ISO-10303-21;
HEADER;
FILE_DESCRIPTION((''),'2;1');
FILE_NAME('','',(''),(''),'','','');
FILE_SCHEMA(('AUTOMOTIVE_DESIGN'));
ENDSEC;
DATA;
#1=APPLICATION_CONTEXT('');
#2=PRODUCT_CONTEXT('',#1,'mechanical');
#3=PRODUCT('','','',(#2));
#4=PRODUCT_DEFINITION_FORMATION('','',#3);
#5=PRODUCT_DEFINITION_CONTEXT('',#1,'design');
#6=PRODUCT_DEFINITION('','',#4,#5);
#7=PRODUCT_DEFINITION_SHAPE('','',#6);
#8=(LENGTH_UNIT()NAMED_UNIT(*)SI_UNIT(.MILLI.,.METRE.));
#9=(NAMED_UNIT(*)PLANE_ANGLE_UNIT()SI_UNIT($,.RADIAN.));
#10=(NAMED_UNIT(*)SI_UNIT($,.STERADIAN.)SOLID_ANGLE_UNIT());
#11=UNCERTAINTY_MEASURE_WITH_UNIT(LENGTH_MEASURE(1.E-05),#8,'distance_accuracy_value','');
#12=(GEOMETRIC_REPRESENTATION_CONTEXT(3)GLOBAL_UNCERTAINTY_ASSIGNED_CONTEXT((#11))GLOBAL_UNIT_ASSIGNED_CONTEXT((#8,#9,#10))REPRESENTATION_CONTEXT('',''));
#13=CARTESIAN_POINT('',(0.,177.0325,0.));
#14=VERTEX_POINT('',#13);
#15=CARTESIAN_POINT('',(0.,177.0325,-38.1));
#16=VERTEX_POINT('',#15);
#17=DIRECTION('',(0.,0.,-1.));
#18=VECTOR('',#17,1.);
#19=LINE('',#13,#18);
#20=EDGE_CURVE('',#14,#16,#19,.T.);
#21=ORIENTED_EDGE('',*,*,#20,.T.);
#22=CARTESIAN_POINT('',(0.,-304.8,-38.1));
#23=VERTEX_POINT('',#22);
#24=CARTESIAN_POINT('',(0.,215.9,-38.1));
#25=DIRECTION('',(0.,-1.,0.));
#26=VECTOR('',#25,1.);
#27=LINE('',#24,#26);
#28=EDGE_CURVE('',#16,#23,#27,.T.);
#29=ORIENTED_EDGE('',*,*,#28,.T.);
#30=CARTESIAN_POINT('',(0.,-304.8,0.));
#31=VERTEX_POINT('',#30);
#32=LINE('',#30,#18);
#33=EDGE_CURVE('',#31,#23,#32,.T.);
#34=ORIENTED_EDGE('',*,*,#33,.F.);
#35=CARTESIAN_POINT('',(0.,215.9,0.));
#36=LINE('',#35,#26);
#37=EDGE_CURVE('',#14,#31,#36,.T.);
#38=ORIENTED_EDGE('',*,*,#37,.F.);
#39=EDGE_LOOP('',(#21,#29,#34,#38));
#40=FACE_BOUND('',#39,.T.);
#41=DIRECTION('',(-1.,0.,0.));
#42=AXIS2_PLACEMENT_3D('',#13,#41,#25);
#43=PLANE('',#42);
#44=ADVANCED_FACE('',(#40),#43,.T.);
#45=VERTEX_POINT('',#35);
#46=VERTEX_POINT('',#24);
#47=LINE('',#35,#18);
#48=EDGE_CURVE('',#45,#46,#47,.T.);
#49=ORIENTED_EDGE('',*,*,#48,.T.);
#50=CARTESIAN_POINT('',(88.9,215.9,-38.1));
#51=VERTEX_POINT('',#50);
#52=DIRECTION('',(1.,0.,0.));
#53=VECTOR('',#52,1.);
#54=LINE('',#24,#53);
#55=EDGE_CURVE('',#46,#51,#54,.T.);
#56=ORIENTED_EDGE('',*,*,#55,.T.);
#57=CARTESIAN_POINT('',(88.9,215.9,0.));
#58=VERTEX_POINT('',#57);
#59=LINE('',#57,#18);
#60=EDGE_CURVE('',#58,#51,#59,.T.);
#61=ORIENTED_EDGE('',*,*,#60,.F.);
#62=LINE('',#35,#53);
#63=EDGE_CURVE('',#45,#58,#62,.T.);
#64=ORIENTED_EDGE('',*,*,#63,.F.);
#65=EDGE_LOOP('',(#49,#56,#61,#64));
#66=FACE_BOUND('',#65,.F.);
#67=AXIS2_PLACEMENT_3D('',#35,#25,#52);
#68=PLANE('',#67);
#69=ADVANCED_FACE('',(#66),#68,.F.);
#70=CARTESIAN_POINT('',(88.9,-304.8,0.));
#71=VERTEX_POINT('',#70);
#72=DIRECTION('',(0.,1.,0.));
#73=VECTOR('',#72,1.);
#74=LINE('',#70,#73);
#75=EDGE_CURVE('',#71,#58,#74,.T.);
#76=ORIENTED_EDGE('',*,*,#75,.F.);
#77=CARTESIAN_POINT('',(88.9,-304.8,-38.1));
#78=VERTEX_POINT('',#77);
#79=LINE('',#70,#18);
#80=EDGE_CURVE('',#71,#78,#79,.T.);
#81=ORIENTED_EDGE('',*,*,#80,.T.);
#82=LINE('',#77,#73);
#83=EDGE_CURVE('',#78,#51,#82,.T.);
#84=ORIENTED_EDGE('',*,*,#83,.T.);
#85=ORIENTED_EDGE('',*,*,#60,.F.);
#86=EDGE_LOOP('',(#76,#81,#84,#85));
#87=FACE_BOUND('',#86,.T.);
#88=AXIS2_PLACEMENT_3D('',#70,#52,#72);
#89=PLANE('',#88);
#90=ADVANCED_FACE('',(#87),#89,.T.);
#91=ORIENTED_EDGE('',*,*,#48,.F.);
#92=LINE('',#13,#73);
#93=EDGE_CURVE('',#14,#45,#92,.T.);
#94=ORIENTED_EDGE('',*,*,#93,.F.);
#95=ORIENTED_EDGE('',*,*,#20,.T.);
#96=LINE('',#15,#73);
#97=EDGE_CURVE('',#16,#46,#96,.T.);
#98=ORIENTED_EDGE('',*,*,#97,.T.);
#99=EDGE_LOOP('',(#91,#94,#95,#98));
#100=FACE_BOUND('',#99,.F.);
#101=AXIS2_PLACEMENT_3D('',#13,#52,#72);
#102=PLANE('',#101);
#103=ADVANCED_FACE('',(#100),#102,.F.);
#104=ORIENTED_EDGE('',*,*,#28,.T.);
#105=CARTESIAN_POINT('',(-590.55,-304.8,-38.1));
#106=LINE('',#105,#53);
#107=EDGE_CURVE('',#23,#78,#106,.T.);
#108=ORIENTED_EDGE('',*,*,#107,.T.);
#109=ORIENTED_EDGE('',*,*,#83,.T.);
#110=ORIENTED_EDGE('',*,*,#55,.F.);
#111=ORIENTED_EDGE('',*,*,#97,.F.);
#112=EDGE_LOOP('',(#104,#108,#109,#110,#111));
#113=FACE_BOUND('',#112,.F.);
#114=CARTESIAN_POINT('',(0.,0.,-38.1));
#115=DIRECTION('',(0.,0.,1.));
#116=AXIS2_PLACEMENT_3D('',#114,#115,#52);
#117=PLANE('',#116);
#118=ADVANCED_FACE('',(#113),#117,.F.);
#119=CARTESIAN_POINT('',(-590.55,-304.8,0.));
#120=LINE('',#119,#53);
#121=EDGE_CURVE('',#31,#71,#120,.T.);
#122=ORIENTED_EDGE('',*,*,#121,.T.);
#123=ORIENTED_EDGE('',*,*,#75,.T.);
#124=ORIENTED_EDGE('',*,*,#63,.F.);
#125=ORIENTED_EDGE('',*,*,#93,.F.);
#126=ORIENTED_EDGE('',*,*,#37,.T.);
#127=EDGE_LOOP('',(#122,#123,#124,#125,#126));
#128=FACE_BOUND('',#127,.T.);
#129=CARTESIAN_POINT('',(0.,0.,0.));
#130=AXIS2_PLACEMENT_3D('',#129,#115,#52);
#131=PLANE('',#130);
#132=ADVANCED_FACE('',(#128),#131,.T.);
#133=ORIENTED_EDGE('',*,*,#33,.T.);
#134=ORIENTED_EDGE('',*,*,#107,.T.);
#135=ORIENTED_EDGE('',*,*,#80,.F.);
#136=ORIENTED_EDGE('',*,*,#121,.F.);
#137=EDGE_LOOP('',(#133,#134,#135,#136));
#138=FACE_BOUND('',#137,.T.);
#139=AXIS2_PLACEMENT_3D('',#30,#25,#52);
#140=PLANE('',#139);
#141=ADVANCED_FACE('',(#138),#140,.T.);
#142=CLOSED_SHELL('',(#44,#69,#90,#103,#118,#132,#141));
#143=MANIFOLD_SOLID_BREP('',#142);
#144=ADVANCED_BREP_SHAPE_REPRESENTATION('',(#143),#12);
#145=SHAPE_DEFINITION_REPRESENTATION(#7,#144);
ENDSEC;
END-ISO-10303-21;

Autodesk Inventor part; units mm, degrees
ref_plane "YZ Plane" through (0, 0, 0) normal (1, 0, 0) x (0, 1, 0)
ref_plane "XZ Plane" through (0, 0, 0) normal (0, 1, 0) x (-1, 0, 0)
ref_plane "XY Plane" through (0, 0, 0) normal (0, 0, 1) x (1, 0, 0)
sketch "Sketch1" plane through (0, 0, 0) normal (0, 0, 1) x (1, 0, 0)
  line L0 (0, 215.9) -> (590.55, 215.9) projected
  line L1 (0, 177.0325) -> (0, 215.9) projected
  line L2 (-590.55, -304.8) -> (628.65, -304.8) projected
  line L3 (0, 215.9) -> (0, -304.8)
  line L4 (88.9, -304.8) -> (88.9, 215.9)
  point P0 (0, 0)
  dimension "d0" = 88.9
extrude "Extrusion1" add sketch "Sketch1" against normal blind 38.1
properties part number "2x4x20.5"
